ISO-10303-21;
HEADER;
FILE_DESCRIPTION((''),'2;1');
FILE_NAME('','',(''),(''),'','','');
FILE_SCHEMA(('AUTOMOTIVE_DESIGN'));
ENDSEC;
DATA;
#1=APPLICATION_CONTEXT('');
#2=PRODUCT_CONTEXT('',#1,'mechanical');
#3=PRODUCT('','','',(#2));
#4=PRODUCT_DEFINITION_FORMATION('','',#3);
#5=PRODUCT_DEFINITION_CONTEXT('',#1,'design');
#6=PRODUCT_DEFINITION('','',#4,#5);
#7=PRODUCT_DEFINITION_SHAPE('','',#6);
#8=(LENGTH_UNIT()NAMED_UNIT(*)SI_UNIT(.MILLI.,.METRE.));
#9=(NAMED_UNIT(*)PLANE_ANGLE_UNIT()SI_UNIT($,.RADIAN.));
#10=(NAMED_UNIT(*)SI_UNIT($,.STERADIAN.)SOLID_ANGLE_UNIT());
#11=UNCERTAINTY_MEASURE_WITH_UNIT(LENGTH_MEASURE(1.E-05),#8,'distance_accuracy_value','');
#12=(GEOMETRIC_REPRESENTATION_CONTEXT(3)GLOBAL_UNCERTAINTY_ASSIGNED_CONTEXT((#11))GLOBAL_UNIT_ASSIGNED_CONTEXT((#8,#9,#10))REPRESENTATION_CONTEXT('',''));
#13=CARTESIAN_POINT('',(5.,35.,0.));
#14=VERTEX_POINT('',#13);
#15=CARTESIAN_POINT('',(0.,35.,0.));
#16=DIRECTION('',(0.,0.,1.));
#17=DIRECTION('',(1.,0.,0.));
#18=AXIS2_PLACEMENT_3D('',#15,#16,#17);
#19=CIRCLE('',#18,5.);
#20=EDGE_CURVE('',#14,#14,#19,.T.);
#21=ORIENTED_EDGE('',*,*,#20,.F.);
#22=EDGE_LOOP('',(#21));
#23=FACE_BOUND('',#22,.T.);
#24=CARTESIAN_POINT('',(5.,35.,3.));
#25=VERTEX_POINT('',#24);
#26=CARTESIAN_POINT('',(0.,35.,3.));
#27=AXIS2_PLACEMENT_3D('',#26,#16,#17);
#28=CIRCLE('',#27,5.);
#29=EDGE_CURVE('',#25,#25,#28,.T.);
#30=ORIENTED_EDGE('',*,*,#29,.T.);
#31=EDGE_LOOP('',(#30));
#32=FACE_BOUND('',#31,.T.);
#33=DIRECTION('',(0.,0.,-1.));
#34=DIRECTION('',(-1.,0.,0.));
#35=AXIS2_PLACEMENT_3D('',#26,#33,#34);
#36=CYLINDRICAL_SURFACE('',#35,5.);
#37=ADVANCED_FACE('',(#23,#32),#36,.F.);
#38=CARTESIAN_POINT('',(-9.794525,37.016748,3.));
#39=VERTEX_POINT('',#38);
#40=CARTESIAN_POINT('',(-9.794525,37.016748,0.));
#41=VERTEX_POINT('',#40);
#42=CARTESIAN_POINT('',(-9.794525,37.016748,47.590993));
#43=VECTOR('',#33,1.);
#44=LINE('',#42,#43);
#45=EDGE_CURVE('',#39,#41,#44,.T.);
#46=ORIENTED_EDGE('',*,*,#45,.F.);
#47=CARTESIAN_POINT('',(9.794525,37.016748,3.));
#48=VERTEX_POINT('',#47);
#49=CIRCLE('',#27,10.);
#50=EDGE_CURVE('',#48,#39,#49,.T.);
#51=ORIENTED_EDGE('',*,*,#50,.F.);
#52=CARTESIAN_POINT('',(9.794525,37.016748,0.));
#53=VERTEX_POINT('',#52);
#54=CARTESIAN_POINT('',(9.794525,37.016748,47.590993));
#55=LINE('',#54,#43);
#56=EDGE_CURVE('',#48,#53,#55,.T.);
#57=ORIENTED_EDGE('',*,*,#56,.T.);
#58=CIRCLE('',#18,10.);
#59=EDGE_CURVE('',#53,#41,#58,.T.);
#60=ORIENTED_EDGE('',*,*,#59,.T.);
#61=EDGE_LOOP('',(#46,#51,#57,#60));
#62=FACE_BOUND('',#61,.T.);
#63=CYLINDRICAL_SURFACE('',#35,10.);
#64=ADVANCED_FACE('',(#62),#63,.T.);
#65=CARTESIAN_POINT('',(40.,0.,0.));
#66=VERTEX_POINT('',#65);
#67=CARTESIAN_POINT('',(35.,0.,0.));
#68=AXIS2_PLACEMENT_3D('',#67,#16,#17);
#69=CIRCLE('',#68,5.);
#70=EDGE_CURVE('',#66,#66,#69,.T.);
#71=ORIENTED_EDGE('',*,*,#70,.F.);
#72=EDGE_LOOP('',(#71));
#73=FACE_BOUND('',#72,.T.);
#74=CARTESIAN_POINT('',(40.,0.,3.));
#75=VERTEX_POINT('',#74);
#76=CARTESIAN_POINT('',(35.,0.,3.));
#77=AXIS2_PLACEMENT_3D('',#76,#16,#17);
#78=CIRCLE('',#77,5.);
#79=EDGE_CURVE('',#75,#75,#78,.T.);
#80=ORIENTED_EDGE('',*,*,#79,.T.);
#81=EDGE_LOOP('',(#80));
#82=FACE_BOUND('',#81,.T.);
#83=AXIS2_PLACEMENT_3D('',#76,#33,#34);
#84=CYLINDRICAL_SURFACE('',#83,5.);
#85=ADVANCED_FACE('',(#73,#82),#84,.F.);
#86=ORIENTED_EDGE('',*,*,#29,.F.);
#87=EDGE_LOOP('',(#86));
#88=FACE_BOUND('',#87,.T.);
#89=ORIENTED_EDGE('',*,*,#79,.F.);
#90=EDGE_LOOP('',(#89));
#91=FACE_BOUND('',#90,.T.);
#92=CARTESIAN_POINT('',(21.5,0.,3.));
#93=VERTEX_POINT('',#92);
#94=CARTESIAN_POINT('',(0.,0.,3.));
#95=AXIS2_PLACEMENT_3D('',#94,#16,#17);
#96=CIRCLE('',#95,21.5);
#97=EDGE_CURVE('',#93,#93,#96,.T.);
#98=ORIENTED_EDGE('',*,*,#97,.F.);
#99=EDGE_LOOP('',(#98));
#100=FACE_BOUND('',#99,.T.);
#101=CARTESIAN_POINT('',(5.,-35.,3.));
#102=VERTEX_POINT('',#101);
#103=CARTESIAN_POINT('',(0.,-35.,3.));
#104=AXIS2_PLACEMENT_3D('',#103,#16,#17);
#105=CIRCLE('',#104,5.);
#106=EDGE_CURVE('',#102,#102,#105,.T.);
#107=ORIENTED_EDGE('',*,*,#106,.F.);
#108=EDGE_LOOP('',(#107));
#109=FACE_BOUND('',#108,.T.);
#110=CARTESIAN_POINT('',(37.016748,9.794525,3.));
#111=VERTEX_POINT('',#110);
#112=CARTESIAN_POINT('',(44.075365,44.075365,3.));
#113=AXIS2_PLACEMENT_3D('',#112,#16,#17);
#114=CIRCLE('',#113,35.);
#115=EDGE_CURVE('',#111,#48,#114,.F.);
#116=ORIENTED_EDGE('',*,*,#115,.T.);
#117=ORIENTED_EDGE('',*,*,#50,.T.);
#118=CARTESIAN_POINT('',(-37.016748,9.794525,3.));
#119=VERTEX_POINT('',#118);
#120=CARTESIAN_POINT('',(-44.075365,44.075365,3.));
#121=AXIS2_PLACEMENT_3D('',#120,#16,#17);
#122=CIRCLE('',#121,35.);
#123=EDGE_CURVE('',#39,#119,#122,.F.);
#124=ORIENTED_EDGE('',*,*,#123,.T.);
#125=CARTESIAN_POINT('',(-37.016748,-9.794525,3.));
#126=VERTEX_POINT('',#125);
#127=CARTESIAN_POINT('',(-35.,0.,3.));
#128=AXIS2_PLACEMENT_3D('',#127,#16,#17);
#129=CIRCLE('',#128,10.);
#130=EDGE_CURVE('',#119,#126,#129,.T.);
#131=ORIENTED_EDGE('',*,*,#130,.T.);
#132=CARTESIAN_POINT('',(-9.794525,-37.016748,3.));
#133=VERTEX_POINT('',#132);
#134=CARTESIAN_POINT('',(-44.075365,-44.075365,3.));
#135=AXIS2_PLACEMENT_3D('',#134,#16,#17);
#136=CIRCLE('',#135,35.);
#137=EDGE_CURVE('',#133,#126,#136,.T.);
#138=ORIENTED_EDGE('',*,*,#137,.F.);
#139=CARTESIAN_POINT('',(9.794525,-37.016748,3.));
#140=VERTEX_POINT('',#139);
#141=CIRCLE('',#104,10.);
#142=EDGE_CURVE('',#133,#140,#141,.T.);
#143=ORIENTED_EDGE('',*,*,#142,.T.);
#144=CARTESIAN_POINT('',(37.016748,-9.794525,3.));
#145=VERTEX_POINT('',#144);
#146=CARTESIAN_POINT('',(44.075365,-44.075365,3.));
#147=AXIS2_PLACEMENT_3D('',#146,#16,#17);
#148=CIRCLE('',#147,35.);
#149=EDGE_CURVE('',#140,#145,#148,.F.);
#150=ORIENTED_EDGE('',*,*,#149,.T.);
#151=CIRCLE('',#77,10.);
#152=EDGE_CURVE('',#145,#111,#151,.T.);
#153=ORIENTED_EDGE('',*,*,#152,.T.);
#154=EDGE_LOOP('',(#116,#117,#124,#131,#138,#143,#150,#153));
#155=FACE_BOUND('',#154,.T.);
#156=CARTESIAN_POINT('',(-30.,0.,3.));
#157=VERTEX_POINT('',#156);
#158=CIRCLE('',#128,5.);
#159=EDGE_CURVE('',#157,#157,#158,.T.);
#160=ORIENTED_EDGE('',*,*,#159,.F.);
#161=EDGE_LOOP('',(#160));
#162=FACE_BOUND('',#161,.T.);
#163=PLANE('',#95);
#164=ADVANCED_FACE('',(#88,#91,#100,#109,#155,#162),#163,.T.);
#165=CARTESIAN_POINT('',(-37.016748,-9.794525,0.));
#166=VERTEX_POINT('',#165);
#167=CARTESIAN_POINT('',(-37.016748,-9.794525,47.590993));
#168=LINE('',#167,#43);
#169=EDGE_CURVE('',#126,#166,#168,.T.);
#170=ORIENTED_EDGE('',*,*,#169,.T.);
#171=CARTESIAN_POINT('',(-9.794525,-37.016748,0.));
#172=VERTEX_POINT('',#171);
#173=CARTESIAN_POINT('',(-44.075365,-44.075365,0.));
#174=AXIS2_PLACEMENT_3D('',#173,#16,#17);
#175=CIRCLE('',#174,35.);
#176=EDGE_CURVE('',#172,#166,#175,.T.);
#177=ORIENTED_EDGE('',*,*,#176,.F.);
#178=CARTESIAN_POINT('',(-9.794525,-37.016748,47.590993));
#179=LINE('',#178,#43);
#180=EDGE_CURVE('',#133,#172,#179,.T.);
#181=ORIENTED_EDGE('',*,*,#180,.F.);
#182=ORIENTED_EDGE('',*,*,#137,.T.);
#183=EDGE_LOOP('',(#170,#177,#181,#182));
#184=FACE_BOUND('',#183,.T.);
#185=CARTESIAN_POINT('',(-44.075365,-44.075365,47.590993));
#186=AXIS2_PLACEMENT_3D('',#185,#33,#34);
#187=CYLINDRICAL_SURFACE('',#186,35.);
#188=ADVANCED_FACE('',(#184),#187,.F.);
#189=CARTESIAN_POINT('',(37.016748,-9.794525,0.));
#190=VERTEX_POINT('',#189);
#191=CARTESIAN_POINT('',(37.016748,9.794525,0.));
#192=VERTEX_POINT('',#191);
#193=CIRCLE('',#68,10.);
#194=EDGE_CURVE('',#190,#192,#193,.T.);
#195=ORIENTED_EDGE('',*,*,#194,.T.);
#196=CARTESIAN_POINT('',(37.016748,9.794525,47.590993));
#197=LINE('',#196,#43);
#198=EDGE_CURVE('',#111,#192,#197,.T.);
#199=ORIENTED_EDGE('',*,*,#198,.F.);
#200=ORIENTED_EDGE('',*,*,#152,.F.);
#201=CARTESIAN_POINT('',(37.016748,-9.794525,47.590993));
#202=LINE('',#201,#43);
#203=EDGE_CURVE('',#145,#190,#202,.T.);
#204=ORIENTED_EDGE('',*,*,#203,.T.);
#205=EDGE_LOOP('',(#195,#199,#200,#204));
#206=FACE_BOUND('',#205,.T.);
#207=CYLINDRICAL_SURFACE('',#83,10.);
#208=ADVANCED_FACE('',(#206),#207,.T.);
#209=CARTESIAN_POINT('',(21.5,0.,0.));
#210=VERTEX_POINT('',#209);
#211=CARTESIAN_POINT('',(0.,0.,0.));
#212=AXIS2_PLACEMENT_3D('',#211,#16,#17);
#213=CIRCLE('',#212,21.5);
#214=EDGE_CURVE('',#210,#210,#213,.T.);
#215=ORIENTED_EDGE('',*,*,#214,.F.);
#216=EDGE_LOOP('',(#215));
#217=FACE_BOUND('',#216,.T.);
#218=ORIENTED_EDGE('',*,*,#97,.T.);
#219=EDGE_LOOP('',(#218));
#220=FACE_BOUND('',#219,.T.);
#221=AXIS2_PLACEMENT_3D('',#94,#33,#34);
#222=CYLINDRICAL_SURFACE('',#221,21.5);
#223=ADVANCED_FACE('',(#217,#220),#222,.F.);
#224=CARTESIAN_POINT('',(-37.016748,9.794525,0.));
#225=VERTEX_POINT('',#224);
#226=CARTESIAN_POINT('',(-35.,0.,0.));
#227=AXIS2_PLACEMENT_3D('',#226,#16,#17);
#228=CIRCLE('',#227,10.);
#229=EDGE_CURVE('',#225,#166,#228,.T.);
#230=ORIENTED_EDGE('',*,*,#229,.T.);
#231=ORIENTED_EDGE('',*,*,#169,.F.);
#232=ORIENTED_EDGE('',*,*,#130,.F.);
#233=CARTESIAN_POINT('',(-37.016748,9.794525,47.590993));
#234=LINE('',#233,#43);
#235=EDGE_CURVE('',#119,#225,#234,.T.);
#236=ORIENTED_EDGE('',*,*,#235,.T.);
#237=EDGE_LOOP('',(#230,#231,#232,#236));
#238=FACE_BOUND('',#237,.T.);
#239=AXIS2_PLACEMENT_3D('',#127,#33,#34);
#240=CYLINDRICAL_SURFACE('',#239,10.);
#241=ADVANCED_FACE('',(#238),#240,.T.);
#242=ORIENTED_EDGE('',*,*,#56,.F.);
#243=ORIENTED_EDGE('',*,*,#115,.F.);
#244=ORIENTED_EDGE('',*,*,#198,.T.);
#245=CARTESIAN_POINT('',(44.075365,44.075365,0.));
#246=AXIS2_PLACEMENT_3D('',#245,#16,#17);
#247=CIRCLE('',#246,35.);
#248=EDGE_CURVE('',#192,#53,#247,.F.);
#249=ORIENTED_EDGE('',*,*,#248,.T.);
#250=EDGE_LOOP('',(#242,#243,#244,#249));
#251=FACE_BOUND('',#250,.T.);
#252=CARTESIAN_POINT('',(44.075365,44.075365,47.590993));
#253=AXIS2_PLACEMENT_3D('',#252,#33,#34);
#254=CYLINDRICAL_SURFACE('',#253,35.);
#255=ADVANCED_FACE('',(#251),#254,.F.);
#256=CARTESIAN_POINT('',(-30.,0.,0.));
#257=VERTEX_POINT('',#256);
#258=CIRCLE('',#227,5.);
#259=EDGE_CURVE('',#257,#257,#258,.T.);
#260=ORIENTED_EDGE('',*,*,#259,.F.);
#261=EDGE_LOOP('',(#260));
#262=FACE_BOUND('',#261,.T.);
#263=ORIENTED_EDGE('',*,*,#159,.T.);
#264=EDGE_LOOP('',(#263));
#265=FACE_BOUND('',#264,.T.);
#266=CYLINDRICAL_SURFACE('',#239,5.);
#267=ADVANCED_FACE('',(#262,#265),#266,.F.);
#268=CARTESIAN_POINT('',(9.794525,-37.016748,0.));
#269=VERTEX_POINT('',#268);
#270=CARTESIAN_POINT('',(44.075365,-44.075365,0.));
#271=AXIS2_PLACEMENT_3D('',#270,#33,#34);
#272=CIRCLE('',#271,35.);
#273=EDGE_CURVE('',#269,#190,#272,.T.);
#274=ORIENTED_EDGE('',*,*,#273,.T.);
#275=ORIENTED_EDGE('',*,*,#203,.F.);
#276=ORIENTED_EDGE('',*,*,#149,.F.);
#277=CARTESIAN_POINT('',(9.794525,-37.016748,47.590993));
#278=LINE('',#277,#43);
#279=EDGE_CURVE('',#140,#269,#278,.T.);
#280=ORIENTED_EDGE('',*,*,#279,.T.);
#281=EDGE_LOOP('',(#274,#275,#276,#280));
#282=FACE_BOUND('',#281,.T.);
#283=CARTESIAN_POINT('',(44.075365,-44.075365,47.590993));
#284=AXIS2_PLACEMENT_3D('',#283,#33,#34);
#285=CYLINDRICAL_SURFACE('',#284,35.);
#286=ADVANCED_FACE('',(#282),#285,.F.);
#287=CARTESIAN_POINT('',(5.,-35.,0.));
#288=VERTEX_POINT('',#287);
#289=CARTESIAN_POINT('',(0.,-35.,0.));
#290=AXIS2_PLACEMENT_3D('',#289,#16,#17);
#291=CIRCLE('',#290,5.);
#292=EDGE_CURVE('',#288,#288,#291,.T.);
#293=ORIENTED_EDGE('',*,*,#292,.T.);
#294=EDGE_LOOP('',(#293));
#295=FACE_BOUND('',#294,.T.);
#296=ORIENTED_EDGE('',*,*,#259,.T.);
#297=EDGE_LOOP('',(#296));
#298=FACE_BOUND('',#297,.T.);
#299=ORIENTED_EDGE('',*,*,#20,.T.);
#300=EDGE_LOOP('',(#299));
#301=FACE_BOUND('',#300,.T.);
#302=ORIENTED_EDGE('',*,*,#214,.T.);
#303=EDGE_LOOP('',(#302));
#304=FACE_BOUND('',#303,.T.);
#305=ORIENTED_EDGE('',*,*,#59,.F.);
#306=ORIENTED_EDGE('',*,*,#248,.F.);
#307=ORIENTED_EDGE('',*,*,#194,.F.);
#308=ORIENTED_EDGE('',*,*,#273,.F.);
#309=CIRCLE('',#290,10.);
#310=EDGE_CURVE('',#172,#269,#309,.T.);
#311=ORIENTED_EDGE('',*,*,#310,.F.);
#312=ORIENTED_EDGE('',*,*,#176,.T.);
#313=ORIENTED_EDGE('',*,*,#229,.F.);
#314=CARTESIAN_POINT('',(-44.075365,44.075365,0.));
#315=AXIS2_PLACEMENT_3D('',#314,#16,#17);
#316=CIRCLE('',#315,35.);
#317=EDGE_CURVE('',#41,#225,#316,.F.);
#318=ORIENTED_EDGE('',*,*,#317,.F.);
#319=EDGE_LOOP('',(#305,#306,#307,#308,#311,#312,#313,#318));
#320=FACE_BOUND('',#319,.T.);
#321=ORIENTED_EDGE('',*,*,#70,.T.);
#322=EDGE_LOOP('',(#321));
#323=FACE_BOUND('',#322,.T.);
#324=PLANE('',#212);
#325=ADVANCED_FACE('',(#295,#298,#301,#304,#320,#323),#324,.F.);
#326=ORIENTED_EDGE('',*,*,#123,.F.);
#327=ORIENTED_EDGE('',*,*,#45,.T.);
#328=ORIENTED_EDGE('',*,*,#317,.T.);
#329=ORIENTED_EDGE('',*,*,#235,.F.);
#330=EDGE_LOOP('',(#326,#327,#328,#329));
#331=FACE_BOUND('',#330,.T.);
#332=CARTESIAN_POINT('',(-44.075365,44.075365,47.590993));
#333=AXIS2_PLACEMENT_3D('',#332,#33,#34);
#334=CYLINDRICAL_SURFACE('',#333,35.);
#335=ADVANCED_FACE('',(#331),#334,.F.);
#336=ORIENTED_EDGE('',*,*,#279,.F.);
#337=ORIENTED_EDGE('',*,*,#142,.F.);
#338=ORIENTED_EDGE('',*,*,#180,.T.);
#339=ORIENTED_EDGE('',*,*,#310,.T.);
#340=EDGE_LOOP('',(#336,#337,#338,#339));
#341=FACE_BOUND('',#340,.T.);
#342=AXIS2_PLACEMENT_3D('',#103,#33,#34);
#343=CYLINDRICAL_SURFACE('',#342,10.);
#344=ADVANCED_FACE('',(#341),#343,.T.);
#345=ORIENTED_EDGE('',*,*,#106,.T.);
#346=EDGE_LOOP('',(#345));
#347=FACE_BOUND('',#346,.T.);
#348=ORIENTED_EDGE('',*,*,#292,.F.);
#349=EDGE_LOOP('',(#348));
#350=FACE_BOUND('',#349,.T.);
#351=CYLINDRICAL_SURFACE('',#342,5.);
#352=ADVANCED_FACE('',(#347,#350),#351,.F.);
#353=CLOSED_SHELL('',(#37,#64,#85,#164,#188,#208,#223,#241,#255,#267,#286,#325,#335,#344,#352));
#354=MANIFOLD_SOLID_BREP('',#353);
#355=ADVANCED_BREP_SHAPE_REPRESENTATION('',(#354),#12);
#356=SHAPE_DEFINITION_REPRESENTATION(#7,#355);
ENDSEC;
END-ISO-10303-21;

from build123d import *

# Parameters (mm, degrees)
SZKIC1_R                    = 5
SZKIC1_R_2                  = 21.5
DODANIE_WYCI_GNI_CIE1_DEPTH = 3
DODANIE_WYCI_GNI_CIE2_DEPTH = 3


with BuildPart() as part:
    # Szkic1 → Dodanie-wyciągnięcie1 (new body)
    with BuildSketch(Plane.XY):
        with BuildLine():
            ThreePointArc((10, 35), (0, 45), (-10, 35))
            ThreePointArc((-10, 35), (-17.32233047, 17.32233047), (-35, 10))
            ThreePointArc((-35, 10), (-45, 0), (-35, -10))
            ThreePointArc((-35, -10), (-17.32233047, -17.32233047), (-10, -35))
            ThreePointArc((-10, -35), (0, -45), (10, -35))
            ThreePointArc((10, -35), (17.32233047, -17.32233047), (35, -10))
            ThreePointArc((35, -10), (45, 0), (35, 10))
            ThreePointArc((35, 10), (17.32233047, 17.32233047), (10, 35))
        make_face()
        with Locations((0, 35)):
            Circle(SZKIC1_R, mode=Mode.SUBTRACT)
        Circle(SZKIC1_R_2, mode=Mode.SUBTRACT)
        with Locations((35, 0)):
            Circle(SZKIC1_R, mode=Mode.SUBTRACT)
        with Locations((0, -35)):
            Circle(SZKIC1_R, mode=Mode.SUBTRACT)
        with Locations((-35, 0)):
            Circle(SZKIC1_R, mode=Mode.SUBTRACT)
    extrude(amount=DODANIE_WYCI_GNI_CIE1_DEPTH)

    # Szkic2 → Dodanie-wyciągnięcie2 (add)
    with BuildSketch(Plane.XY):
        with BuildLine():
            Line((27.599747415, 5.722247038), (37.016747674, 9.794525452))
            ThreePointArc((37.016747674, 9.794525452), (19.32662719, 19.32662719), (9.794525452, 37.016747674))
            Line((9.794525452, 37.016747674), (8.161162093, 24.785340239))
            Line((8.161162093, 24.785340239), (27.599747415, 5.722247038))
        make_face()
        with BuildLine():
            Line((-5.468778256, 25.979107706), (-9.794525452, 37.016747674))
            ThreePointArc((-9.794525452, 37.016747674), (-19.32662719, 19.32662719), (-37.016747674, 9.794525452))
            Line((-37.016747674, 9.794525452), (-28.775607604, 5.722247038))
            Line((-28.775607604, 5.722247038), (-5.468778256, 25.979107706))
        make_face()
        with BuildLine():
            ThreePointArc((-9.794525452, -37.016747674), (-19.32662719, -19.32662719), (-37.016747674, -9.794525452))
            Line((-37.016747674, -9.794525452), (-27.727906649, -4.880240326))
            Line((-27.727906649, -4.880240326), (-6.103941432, -26.086498779))
            Line((-6.103941432, -26.086498779), (-9.794525452, -37.016747674))
        make_face()
        with BuildLine():
            ThreePointArc((9.794525452, -37.016747674), (19.32662719, -19.32662719), (37.016747674, -9.794525452))
            Line((37.016747674, -9.794525452), (25.012487301, -7.237711123))
            Line((25.012487301, -7.237711123), (6.527798735, -26.086498779))
            Line((6.527798735, -26.086498779), (9.794525452, -37.016747674))
        make_face()
    extrude(amount=DODANIE_WYCI_GNI_CIE2_DEPTH)


solid = part.part
